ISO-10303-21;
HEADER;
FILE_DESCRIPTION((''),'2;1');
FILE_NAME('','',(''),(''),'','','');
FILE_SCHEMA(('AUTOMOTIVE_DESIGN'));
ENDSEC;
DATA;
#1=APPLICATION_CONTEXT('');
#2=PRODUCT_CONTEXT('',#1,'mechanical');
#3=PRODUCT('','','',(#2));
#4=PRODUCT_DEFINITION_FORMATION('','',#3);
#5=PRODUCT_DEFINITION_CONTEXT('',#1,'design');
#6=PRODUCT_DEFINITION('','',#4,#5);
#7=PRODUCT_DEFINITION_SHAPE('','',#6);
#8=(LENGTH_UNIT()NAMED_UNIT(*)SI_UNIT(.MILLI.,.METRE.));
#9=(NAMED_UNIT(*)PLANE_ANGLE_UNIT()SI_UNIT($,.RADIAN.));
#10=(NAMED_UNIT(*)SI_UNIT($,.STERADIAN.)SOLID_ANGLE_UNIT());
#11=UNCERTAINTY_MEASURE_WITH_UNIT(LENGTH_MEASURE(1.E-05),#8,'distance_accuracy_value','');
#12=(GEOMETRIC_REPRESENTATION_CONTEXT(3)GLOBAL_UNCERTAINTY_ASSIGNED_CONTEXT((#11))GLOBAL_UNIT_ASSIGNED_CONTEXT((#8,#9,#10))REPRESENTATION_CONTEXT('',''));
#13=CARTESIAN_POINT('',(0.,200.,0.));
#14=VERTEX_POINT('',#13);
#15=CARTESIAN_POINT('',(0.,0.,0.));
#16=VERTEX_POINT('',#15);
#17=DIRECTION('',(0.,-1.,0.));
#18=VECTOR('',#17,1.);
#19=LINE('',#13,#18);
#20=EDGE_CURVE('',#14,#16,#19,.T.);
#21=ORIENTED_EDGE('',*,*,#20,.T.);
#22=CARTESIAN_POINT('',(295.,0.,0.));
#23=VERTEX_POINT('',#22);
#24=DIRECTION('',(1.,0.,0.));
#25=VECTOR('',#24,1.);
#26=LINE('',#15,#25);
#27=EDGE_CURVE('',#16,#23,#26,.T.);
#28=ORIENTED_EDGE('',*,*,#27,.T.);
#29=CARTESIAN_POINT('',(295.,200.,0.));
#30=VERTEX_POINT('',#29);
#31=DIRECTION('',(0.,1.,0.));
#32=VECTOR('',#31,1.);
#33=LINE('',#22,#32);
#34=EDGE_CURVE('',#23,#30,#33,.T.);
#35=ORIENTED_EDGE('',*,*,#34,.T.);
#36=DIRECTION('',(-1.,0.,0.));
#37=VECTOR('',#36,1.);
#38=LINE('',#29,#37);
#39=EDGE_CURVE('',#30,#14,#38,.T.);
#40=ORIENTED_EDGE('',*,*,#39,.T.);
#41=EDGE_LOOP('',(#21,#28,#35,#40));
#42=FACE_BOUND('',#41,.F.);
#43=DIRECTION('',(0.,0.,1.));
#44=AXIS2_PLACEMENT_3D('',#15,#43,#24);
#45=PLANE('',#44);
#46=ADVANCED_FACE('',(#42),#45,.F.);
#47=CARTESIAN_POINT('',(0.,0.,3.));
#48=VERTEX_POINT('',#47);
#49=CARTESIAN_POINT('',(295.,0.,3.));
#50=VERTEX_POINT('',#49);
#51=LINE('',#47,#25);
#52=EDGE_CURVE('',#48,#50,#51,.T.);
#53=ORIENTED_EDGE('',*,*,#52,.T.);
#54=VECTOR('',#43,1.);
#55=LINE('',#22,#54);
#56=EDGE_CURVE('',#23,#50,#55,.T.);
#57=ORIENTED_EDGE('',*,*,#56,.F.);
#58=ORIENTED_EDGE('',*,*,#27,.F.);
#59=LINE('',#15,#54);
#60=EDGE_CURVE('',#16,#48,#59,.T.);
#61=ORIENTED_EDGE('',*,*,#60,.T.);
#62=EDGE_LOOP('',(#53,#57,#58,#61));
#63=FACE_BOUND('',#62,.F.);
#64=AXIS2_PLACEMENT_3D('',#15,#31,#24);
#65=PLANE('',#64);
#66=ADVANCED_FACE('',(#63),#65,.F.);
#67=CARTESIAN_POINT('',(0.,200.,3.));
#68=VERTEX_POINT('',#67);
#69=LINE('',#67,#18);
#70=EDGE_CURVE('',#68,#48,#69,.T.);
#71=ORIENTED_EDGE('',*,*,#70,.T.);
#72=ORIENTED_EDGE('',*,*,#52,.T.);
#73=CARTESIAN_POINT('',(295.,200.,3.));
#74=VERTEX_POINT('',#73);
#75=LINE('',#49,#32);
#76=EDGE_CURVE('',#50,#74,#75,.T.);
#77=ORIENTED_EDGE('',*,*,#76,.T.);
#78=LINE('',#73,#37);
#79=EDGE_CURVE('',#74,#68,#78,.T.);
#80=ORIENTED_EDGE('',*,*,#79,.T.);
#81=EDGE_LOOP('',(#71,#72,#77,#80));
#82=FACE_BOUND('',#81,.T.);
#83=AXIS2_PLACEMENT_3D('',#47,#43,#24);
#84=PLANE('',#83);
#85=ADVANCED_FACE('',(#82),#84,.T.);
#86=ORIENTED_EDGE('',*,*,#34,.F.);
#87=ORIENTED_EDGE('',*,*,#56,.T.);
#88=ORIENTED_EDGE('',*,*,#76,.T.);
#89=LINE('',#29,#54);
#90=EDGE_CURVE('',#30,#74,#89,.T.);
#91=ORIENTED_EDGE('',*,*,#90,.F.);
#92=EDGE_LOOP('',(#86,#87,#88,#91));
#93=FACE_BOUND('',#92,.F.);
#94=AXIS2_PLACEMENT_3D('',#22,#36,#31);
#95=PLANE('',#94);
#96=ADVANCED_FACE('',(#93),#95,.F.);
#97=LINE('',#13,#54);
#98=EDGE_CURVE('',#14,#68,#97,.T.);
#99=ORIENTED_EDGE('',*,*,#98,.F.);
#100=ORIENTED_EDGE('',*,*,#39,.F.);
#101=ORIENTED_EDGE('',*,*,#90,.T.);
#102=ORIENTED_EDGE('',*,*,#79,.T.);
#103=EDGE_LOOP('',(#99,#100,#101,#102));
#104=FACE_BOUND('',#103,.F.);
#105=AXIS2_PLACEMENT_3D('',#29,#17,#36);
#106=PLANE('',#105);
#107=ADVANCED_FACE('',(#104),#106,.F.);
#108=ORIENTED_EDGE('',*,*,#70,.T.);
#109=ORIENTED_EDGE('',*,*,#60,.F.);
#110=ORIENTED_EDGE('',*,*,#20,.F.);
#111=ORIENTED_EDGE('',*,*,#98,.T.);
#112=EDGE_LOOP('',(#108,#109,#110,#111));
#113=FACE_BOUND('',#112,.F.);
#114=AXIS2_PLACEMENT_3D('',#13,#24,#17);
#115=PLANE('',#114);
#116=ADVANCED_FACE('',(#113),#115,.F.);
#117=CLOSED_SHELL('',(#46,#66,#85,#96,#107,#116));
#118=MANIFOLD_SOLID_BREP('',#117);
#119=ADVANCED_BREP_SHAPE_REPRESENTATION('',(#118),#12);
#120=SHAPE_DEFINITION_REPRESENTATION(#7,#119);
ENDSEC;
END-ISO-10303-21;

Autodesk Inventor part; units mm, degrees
ref_plane "YZ Plane" through (0, 0, 0) normal (1, 0, 0) x (0, 1, 0)
ref_plane "XZ Plane" through (0, 0, 0) normal (0, 1, 0) x (-1, 0, 0)
ref_plane "XY Plane" through (0, 0, 0) normal (0, 0, 1) x (1, 0, 0)
sketch "Esquisse1" plane through (0, 0, 0) normal (0, 0, 1) x (1, 0, 0)
  line L0 (0, 0) -> (295, 0)
  line L1 (295, 0) -> (295, 200)
  line L2 (295, 200) -> (0, 200)
  line L3 (0, 200) -> (0, 0)
  dimension "d0" = 295
  dimension "d1" = 200
extrude "Extrusion1" add sketch "Esquisse1" along normal blind 3
properties part number "Pièce-interieur-3"
